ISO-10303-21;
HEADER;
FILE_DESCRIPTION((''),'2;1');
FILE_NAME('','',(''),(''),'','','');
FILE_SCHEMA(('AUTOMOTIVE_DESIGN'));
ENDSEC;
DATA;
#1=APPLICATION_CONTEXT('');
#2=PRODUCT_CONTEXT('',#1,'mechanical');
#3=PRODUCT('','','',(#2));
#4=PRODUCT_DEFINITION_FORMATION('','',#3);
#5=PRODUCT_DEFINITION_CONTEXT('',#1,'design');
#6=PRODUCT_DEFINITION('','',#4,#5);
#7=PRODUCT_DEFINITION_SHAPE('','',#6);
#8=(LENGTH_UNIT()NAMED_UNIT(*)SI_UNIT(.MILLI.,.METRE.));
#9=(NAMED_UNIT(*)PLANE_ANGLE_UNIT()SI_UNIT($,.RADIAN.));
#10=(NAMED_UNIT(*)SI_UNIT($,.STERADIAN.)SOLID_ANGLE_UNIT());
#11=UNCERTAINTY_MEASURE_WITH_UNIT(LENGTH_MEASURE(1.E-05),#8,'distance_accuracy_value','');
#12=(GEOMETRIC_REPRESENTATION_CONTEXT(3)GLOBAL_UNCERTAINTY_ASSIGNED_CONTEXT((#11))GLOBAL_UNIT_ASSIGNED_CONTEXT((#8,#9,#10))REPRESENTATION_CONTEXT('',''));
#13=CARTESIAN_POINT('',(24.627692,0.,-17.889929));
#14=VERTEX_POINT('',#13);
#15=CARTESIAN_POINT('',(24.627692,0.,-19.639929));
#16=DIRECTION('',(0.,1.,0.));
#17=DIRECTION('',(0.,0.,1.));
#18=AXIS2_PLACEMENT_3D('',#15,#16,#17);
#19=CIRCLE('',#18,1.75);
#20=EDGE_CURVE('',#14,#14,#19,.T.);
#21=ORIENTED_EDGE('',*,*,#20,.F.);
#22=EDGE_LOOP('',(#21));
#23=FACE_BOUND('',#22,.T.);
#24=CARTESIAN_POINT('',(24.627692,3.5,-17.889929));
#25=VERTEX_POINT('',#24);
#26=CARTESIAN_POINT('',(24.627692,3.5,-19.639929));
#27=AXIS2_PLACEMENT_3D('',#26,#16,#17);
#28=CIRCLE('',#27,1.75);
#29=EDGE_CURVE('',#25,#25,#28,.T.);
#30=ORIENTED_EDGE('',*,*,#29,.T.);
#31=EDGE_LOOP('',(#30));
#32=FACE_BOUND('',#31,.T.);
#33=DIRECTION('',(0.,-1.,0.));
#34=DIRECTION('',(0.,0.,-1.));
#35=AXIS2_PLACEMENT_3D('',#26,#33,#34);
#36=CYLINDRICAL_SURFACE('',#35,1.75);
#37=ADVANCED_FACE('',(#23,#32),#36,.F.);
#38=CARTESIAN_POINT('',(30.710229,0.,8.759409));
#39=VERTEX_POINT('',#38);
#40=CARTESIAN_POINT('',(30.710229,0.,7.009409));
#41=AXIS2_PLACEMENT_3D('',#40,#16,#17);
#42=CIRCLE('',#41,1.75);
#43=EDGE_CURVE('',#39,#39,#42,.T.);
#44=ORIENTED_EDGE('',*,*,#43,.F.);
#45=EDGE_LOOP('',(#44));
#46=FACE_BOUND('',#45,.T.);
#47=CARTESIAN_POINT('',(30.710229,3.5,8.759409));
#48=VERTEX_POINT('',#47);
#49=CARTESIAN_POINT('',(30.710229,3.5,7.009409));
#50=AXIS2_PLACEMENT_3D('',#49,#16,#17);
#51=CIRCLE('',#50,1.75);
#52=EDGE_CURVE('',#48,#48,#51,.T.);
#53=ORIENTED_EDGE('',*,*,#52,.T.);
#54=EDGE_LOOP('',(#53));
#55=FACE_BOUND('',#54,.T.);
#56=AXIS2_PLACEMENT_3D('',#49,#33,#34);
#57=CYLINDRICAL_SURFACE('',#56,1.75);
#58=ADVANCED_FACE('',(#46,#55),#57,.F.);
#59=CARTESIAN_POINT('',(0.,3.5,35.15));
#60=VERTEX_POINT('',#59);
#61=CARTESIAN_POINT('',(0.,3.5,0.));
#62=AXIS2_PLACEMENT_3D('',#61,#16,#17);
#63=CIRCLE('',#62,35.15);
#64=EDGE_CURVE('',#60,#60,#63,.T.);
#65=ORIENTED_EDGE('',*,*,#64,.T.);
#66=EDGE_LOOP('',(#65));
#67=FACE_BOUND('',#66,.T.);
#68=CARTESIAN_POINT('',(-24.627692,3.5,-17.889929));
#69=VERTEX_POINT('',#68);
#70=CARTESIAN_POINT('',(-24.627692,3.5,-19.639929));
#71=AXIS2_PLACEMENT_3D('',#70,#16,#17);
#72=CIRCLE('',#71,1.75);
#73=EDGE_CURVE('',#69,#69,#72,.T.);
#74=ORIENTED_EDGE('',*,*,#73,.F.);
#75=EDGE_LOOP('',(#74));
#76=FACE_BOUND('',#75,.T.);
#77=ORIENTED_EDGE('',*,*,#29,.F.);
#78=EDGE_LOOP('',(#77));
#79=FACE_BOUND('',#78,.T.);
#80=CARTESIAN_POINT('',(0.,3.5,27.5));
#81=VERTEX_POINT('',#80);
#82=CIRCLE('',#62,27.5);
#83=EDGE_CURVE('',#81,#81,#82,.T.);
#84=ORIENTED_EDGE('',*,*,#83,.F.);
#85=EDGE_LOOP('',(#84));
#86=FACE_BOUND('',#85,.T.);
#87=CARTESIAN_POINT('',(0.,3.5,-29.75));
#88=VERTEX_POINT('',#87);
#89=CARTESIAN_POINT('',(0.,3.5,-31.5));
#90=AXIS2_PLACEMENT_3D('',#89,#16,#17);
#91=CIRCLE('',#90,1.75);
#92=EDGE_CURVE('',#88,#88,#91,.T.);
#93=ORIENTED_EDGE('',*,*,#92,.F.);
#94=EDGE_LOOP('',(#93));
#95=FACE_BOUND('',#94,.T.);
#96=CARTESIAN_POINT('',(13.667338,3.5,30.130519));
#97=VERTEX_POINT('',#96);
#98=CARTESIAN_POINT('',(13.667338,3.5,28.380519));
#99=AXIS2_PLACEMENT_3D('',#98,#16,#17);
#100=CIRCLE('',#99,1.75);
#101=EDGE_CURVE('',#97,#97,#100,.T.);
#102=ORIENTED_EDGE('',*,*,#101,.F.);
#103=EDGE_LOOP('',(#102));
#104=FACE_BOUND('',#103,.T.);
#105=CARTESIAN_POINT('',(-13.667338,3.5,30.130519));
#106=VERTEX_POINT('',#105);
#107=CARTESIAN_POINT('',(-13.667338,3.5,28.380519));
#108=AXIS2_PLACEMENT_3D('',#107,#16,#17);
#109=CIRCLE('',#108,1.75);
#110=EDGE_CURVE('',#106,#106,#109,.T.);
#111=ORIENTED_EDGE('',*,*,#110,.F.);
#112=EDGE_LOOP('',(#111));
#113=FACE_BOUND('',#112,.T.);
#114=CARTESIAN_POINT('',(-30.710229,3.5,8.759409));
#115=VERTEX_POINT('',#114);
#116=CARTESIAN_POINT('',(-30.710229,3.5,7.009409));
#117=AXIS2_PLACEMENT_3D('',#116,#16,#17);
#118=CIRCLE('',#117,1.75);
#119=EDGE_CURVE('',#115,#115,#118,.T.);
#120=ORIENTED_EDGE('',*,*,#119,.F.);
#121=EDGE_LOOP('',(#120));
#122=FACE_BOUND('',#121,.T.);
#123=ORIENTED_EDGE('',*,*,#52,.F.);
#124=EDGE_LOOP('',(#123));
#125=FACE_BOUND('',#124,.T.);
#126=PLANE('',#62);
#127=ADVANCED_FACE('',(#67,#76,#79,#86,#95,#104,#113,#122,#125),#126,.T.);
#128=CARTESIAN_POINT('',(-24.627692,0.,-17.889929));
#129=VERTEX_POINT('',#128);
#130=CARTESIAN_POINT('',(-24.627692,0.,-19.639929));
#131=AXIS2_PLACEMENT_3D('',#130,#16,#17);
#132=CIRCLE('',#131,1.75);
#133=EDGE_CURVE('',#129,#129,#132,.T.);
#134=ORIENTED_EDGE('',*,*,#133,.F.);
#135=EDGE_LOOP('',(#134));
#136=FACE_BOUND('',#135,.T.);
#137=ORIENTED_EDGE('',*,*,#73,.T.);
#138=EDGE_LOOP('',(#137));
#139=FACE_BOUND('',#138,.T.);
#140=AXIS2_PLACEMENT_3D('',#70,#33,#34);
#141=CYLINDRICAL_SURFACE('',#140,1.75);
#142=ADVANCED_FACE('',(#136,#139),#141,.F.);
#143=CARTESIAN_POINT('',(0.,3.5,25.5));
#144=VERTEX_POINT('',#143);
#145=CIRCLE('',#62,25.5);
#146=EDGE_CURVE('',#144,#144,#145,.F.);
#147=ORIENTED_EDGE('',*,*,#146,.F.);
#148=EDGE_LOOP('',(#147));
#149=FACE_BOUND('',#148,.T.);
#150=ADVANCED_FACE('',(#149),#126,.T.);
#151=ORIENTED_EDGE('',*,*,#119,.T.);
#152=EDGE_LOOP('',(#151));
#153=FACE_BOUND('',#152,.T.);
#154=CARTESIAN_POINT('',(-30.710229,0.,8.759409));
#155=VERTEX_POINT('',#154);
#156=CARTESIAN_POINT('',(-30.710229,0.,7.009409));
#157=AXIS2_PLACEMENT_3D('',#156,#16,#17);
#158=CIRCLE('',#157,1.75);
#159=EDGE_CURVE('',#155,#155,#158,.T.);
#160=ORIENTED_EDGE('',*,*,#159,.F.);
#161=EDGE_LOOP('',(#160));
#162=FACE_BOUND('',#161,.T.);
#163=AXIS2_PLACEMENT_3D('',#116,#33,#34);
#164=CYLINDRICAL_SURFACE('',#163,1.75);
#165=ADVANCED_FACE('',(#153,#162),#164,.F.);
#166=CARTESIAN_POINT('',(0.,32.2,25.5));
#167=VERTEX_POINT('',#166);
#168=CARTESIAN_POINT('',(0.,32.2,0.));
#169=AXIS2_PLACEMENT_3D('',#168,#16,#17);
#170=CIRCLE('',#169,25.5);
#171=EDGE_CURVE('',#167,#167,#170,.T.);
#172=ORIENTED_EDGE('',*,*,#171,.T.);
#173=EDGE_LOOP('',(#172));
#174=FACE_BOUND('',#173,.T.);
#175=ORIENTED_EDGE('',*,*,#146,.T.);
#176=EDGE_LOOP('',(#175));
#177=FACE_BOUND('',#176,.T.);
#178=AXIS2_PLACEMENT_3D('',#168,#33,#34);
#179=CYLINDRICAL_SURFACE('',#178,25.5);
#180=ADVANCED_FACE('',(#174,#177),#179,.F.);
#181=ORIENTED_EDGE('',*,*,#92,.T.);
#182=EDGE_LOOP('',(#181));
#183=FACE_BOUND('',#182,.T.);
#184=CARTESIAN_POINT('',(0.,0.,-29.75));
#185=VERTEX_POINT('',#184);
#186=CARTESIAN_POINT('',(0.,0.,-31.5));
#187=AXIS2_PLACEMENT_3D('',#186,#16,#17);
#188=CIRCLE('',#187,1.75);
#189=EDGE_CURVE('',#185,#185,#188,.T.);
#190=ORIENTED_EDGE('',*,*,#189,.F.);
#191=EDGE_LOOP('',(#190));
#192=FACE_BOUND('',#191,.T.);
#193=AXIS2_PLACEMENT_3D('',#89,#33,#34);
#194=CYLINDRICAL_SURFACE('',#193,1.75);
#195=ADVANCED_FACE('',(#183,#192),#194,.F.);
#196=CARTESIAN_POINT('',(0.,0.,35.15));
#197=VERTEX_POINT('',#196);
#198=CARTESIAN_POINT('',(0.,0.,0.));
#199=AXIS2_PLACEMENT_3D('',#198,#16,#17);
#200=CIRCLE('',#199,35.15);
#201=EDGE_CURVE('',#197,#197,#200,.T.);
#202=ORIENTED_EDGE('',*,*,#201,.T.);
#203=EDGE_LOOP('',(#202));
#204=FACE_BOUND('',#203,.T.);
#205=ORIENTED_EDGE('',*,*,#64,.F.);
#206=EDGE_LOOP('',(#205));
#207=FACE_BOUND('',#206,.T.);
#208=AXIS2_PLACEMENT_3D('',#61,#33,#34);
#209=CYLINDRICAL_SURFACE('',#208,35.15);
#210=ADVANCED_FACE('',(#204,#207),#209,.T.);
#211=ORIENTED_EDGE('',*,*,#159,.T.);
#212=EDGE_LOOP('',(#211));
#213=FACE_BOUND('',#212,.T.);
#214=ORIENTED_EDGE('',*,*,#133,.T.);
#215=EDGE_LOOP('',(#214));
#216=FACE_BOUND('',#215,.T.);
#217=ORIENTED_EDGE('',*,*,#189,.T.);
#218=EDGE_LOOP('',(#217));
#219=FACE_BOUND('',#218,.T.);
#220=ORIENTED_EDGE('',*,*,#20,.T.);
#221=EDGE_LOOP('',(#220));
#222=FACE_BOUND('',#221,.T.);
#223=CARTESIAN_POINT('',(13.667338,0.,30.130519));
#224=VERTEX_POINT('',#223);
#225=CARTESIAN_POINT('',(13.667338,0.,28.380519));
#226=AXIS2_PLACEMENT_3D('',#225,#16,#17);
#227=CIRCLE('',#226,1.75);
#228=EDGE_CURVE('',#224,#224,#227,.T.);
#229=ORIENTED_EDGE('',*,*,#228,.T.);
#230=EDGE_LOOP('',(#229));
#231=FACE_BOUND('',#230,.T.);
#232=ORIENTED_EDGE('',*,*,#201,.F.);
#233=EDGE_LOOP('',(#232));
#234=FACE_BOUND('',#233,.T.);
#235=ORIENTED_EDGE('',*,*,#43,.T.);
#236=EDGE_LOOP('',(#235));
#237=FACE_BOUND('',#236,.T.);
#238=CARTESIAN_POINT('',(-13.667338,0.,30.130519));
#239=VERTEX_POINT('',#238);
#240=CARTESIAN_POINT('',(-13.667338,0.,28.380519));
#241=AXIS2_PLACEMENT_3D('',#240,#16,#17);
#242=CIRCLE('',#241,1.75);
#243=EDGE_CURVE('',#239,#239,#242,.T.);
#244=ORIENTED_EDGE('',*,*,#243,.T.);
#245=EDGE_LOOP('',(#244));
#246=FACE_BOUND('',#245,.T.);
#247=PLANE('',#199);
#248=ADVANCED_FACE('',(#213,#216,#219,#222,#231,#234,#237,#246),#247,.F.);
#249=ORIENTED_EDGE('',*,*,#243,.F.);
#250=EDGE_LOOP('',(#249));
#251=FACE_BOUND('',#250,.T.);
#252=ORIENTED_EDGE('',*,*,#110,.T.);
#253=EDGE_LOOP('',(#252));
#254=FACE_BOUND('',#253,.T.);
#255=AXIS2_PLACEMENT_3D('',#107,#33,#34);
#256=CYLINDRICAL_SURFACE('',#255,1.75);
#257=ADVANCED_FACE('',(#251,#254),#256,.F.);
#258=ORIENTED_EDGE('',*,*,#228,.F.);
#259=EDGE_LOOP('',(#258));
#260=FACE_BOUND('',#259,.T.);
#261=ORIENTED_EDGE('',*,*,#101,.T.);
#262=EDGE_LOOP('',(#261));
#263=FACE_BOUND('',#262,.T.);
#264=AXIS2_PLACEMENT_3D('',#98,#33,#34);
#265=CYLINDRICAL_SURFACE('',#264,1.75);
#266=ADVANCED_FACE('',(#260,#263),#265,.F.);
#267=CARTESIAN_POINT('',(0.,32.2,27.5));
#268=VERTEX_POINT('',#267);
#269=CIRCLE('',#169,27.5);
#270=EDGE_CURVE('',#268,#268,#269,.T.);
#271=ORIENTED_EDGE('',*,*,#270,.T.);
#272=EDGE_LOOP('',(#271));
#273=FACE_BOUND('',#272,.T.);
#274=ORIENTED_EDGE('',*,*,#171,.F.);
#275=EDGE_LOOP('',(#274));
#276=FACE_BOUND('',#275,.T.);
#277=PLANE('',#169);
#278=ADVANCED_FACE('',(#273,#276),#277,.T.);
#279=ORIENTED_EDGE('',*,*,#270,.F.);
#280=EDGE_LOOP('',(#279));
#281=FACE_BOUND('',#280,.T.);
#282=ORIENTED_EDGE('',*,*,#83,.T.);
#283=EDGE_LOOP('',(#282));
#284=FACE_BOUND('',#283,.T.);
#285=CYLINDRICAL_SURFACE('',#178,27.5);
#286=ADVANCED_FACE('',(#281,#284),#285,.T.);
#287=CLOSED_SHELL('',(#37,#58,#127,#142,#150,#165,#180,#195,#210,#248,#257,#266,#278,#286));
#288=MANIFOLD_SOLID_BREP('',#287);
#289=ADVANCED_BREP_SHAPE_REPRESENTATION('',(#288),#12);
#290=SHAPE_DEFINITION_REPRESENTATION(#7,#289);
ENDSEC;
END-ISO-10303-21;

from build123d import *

# Parameters (mm, degrees)
SKETCH2_R           = 35.15
SKETCH2_R_2         = 1.75
BOSS_EXTRUDE1_DEPTH = 3.5
SKETCH3_R           = 27.5
SKETCH3_R_2         = 25.5
BOSS_EXTRUDE2_DEPTH = 28.7


with BuildPart() as part:
    # Sketch2 → Boss-Extrude1 (new body)
    with BuildSketch(Plane(origin=(0, 0, 0), x_dir=(1, 0, 0), z_dir=(0, 1, 0))):
        Circle(SKETCH2_R)
        with Locations((0, 31.5)):
            Circle(SKETCH2_R_2, mode=Mode.SUBTRACT)
        with Locations((24.627691698, 19.639928759)):
            Circle(SKETCH2_R_2, mode=Mode.SUBTRACT)
        with Locations((30.710229234, -7.00940942)):
            Circle(SKETCH2_R_2, mode=Mode.SUBTRACT)
        with Locations((13.667337782, -28.380519339)):
            Circle(SKETCH2_R_2, mode=Mode.SUBTRACT)
        with Locations((-13.667337782, -28.380519339)):
            Circle(SKETCH2_R_2, mode=Mode.SUBTRACT)
        with Locations((-30.710229234, -7.00940942)):
            Circle(SKETCH2_R_2, mode=Mode.SUBTRACT)
        with Locations((-24.627691698, 19.639928759)):
            Circle(SKETCH2_R_2, mode=Mode.SUBTRACT)
    extrude(amount=BOSS_EXTRUDE1_DEPTH)

    # Sketch3 → Boss-Extrude2 (add)
    with BuildSketch(Plane(origin=(0, 3.5, 0), x_dir=(1, 0, 0), z_dir=(0, 1, 0))):
        Circle(SKETCH3_R)
        Circle(SKETCH3_R_2, mode=Mode.SUBTRACT)
    extrude(amount=BOSS_EXTRUDE2_DEPTH)


solid = part.part
